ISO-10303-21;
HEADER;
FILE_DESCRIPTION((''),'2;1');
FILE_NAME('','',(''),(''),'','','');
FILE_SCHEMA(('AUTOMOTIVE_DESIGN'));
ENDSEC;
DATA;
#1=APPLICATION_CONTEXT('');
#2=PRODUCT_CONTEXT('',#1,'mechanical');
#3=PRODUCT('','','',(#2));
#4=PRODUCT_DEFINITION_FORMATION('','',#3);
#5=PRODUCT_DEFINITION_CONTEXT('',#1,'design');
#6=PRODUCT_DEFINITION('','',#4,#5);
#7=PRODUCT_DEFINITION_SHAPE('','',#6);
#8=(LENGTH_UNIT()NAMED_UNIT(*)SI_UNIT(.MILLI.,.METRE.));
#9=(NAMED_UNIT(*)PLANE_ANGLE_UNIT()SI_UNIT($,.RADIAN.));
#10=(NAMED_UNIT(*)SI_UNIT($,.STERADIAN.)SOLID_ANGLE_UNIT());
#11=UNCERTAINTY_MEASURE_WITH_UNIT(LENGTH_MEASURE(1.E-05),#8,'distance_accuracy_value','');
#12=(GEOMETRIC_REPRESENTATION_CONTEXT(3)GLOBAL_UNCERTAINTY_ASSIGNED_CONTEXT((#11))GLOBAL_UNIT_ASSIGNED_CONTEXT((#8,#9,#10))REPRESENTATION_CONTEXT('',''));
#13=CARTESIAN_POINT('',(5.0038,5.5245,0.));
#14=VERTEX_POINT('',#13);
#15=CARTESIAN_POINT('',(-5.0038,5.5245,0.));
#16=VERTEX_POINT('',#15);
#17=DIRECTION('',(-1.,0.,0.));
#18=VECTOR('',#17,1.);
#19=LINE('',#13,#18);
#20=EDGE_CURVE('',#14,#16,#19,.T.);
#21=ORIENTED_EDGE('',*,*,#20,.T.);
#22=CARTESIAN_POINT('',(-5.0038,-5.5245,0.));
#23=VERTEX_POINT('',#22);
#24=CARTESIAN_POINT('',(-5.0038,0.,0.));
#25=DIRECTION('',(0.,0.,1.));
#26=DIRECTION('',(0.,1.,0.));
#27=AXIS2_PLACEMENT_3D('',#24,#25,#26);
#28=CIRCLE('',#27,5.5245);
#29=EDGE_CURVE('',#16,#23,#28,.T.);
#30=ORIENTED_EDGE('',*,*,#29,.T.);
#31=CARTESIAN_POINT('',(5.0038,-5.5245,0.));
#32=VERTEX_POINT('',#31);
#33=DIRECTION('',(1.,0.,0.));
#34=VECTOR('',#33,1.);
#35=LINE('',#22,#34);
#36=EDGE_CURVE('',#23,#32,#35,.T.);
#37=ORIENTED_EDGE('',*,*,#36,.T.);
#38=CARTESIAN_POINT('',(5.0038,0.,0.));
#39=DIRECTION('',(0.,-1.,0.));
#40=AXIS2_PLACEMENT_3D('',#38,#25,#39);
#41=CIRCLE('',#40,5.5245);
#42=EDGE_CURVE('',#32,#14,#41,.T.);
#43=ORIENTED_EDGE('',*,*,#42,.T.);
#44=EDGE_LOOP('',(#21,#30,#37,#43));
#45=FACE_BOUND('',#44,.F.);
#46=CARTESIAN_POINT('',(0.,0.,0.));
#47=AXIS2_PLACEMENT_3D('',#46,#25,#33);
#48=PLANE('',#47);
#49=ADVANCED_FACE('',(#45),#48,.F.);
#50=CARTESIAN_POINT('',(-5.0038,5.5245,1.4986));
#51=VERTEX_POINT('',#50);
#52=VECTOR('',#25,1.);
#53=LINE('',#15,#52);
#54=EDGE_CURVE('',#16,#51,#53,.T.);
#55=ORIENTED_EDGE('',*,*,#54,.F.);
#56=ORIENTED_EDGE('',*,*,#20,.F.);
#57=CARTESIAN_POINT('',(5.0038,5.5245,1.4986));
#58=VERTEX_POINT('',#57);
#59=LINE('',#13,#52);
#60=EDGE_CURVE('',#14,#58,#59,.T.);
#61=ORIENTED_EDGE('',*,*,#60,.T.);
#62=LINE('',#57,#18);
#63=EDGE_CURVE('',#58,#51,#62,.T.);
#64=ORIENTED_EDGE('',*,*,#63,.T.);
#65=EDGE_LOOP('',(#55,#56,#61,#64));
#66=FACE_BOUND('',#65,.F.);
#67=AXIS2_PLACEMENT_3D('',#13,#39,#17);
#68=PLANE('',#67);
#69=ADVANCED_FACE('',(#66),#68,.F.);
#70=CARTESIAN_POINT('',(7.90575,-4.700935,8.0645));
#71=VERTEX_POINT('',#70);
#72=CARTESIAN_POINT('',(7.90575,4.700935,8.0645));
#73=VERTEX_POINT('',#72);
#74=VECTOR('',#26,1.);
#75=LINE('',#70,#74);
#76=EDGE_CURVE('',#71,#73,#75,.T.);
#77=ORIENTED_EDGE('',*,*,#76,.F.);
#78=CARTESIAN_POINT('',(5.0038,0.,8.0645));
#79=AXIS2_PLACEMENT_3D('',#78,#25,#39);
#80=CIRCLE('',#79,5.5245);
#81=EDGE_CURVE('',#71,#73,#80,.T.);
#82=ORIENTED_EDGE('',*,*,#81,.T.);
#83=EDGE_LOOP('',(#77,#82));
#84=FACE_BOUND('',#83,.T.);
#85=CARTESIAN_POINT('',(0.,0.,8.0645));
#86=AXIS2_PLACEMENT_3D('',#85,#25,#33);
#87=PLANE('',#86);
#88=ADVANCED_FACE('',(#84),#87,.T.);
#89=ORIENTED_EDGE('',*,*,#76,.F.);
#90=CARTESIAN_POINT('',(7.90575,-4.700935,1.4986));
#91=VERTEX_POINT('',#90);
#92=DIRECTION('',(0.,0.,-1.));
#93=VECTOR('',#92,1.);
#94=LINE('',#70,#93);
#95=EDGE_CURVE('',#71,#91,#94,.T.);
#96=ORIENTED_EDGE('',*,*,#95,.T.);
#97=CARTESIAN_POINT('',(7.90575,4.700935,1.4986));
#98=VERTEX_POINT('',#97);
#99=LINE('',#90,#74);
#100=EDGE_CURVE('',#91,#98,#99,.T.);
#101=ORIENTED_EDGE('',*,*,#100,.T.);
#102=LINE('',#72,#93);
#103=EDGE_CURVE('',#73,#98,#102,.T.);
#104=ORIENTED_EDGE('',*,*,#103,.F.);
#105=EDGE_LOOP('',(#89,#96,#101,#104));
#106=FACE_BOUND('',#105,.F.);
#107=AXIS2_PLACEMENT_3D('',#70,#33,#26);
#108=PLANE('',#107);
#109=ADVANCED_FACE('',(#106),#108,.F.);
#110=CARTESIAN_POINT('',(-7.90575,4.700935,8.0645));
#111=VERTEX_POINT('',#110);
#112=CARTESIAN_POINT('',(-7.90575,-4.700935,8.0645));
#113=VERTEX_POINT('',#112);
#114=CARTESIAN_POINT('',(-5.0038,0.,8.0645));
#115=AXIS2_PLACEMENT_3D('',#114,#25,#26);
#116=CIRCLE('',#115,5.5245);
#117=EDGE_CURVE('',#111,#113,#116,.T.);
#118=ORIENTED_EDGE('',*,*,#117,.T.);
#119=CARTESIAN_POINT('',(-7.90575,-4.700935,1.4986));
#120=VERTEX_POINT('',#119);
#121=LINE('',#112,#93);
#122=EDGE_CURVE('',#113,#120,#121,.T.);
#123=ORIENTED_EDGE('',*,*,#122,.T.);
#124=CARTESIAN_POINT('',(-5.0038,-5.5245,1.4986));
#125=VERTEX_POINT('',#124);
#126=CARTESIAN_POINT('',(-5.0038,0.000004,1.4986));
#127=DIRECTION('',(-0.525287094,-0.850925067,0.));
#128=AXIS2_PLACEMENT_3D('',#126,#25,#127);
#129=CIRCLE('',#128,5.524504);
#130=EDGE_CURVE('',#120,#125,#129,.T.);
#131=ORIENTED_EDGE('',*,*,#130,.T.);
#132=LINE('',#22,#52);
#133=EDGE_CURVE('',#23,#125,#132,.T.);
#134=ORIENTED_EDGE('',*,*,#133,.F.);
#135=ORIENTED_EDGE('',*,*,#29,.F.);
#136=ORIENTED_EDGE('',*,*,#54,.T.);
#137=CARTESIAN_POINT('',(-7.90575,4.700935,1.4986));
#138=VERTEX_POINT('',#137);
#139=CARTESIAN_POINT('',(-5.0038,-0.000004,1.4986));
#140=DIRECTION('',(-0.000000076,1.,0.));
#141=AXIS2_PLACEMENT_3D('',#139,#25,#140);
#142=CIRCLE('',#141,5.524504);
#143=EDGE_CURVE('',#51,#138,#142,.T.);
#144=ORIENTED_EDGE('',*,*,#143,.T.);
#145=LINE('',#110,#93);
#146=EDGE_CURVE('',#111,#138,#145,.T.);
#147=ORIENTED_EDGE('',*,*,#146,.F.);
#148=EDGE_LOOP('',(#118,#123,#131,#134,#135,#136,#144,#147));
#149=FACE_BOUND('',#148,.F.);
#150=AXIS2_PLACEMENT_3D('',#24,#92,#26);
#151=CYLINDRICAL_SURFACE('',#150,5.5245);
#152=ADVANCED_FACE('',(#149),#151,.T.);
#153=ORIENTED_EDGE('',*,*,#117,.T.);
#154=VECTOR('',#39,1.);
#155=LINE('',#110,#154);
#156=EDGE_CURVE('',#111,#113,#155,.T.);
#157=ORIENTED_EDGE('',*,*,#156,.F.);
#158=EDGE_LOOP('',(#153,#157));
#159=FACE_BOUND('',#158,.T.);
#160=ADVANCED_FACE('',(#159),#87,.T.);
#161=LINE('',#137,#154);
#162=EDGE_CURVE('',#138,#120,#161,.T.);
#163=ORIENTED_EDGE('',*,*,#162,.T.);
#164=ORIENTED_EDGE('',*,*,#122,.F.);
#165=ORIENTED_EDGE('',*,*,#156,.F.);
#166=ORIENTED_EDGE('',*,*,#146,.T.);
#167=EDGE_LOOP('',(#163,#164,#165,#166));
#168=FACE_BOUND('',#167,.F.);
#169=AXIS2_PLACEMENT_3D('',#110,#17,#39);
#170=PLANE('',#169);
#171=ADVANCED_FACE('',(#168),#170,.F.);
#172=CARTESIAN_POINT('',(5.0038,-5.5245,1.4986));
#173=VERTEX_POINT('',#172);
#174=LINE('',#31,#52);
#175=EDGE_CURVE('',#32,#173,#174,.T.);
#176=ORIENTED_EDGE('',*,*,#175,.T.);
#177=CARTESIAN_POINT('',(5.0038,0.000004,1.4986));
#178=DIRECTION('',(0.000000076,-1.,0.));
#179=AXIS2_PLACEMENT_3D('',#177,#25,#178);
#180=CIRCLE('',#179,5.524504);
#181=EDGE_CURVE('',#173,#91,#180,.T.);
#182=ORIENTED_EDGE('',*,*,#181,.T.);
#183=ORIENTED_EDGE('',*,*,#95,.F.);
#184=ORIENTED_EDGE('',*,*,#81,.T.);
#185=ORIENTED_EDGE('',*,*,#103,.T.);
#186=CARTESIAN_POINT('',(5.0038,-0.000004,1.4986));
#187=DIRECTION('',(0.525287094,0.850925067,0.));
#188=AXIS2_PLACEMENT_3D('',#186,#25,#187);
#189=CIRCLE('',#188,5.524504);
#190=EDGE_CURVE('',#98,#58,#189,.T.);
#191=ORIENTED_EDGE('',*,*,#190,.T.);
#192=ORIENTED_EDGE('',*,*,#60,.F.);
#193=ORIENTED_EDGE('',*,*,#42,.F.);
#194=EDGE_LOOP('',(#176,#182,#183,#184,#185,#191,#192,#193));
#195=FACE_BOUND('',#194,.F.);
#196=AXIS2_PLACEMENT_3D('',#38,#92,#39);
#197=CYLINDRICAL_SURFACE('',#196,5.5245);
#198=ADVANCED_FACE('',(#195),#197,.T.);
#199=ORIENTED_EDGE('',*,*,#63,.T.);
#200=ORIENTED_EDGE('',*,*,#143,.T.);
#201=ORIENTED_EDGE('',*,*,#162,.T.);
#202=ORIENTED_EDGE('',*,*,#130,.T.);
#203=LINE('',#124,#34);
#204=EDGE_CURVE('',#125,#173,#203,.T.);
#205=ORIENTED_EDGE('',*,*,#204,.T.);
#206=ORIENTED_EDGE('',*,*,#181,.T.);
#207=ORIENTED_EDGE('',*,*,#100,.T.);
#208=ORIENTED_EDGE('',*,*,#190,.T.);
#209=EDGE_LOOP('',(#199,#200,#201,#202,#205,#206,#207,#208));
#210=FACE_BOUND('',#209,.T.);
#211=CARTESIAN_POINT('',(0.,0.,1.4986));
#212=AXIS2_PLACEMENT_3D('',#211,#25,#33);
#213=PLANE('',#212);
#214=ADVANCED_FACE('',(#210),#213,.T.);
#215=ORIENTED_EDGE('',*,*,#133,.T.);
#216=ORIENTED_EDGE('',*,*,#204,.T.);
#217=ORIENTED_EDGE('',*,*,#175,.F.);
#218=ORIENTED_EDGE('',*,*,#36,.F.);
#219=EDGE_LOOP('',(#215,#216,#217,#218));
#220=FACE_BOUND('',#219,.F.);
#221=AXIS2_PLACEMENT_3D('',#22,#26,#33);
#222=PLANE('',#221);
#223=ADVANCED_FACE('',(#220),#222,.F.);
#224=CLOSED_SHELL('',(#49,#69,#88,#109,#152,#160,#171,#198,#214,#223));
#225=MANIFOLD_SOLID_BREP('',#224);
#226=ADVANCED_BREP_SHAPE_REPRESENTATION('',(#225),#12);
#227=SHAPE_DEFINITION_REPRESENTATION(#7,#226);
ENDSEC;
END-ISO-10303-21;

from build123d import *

# Parameters (mm, degrees)
F1_DEPTH = 8.0645
F3_DEPTH = 6.5659


with BuildPart() as f1:
    # F0 (on Top) → F1 (new body)
    with BuildSketch(Plane.XY):
        with BuildLine():
            ThreePointArc((5.0038, -5.5245), (10.5283, 0), (5.0038, 5.5245))
            Line((5.0038, 5.5245), (-5.0038, 5.5245))
            ThreePointArc((-5.0038, 5.5245), (-10.5283, 0), (-5.0038, -5.5245))
            Line((-5.0038, -5.5245), (5.0038, -5.5245))
        make_face()
    extrude(amount=F1_DEPTH)

    # F2 (on face) → F3 (cut)
    with BuildSketch(Plane.XY.offset(8.0645)):
        with BuildLine():
            Line((7.90575, -4.700935), (7.90575, 4.700935))
            ThreePointArc((7.90575, 4.700935), (6.512075, 5.314622), (5.0038, 5.5245))
            Line((5.0038, 5.5245), (-5.0038, 5.5245))
            ThreePointArc((-5.0038, 5.5245), (-6.512075, 5.314622), (-7.90575, 4.700935))
            Line((-7.90575, 4.700935), (-7.90575, -4.700935))
            ThreePointArc((-7.90575, -4.700935), (-6.512075, -5.314622), (-5.0038, -5.5245))
            Line((-5.0038, -5.5245), (5.0038, -5.5245))
            ThreePointArc((5.0038, -5.5245), (6.512075, -5.314622), (7.90575, -4.700935))
        make_face()
    extrude(amount=-F3_DEPTH, mode=Mode.SUBTRACT)


solid = f1.part
